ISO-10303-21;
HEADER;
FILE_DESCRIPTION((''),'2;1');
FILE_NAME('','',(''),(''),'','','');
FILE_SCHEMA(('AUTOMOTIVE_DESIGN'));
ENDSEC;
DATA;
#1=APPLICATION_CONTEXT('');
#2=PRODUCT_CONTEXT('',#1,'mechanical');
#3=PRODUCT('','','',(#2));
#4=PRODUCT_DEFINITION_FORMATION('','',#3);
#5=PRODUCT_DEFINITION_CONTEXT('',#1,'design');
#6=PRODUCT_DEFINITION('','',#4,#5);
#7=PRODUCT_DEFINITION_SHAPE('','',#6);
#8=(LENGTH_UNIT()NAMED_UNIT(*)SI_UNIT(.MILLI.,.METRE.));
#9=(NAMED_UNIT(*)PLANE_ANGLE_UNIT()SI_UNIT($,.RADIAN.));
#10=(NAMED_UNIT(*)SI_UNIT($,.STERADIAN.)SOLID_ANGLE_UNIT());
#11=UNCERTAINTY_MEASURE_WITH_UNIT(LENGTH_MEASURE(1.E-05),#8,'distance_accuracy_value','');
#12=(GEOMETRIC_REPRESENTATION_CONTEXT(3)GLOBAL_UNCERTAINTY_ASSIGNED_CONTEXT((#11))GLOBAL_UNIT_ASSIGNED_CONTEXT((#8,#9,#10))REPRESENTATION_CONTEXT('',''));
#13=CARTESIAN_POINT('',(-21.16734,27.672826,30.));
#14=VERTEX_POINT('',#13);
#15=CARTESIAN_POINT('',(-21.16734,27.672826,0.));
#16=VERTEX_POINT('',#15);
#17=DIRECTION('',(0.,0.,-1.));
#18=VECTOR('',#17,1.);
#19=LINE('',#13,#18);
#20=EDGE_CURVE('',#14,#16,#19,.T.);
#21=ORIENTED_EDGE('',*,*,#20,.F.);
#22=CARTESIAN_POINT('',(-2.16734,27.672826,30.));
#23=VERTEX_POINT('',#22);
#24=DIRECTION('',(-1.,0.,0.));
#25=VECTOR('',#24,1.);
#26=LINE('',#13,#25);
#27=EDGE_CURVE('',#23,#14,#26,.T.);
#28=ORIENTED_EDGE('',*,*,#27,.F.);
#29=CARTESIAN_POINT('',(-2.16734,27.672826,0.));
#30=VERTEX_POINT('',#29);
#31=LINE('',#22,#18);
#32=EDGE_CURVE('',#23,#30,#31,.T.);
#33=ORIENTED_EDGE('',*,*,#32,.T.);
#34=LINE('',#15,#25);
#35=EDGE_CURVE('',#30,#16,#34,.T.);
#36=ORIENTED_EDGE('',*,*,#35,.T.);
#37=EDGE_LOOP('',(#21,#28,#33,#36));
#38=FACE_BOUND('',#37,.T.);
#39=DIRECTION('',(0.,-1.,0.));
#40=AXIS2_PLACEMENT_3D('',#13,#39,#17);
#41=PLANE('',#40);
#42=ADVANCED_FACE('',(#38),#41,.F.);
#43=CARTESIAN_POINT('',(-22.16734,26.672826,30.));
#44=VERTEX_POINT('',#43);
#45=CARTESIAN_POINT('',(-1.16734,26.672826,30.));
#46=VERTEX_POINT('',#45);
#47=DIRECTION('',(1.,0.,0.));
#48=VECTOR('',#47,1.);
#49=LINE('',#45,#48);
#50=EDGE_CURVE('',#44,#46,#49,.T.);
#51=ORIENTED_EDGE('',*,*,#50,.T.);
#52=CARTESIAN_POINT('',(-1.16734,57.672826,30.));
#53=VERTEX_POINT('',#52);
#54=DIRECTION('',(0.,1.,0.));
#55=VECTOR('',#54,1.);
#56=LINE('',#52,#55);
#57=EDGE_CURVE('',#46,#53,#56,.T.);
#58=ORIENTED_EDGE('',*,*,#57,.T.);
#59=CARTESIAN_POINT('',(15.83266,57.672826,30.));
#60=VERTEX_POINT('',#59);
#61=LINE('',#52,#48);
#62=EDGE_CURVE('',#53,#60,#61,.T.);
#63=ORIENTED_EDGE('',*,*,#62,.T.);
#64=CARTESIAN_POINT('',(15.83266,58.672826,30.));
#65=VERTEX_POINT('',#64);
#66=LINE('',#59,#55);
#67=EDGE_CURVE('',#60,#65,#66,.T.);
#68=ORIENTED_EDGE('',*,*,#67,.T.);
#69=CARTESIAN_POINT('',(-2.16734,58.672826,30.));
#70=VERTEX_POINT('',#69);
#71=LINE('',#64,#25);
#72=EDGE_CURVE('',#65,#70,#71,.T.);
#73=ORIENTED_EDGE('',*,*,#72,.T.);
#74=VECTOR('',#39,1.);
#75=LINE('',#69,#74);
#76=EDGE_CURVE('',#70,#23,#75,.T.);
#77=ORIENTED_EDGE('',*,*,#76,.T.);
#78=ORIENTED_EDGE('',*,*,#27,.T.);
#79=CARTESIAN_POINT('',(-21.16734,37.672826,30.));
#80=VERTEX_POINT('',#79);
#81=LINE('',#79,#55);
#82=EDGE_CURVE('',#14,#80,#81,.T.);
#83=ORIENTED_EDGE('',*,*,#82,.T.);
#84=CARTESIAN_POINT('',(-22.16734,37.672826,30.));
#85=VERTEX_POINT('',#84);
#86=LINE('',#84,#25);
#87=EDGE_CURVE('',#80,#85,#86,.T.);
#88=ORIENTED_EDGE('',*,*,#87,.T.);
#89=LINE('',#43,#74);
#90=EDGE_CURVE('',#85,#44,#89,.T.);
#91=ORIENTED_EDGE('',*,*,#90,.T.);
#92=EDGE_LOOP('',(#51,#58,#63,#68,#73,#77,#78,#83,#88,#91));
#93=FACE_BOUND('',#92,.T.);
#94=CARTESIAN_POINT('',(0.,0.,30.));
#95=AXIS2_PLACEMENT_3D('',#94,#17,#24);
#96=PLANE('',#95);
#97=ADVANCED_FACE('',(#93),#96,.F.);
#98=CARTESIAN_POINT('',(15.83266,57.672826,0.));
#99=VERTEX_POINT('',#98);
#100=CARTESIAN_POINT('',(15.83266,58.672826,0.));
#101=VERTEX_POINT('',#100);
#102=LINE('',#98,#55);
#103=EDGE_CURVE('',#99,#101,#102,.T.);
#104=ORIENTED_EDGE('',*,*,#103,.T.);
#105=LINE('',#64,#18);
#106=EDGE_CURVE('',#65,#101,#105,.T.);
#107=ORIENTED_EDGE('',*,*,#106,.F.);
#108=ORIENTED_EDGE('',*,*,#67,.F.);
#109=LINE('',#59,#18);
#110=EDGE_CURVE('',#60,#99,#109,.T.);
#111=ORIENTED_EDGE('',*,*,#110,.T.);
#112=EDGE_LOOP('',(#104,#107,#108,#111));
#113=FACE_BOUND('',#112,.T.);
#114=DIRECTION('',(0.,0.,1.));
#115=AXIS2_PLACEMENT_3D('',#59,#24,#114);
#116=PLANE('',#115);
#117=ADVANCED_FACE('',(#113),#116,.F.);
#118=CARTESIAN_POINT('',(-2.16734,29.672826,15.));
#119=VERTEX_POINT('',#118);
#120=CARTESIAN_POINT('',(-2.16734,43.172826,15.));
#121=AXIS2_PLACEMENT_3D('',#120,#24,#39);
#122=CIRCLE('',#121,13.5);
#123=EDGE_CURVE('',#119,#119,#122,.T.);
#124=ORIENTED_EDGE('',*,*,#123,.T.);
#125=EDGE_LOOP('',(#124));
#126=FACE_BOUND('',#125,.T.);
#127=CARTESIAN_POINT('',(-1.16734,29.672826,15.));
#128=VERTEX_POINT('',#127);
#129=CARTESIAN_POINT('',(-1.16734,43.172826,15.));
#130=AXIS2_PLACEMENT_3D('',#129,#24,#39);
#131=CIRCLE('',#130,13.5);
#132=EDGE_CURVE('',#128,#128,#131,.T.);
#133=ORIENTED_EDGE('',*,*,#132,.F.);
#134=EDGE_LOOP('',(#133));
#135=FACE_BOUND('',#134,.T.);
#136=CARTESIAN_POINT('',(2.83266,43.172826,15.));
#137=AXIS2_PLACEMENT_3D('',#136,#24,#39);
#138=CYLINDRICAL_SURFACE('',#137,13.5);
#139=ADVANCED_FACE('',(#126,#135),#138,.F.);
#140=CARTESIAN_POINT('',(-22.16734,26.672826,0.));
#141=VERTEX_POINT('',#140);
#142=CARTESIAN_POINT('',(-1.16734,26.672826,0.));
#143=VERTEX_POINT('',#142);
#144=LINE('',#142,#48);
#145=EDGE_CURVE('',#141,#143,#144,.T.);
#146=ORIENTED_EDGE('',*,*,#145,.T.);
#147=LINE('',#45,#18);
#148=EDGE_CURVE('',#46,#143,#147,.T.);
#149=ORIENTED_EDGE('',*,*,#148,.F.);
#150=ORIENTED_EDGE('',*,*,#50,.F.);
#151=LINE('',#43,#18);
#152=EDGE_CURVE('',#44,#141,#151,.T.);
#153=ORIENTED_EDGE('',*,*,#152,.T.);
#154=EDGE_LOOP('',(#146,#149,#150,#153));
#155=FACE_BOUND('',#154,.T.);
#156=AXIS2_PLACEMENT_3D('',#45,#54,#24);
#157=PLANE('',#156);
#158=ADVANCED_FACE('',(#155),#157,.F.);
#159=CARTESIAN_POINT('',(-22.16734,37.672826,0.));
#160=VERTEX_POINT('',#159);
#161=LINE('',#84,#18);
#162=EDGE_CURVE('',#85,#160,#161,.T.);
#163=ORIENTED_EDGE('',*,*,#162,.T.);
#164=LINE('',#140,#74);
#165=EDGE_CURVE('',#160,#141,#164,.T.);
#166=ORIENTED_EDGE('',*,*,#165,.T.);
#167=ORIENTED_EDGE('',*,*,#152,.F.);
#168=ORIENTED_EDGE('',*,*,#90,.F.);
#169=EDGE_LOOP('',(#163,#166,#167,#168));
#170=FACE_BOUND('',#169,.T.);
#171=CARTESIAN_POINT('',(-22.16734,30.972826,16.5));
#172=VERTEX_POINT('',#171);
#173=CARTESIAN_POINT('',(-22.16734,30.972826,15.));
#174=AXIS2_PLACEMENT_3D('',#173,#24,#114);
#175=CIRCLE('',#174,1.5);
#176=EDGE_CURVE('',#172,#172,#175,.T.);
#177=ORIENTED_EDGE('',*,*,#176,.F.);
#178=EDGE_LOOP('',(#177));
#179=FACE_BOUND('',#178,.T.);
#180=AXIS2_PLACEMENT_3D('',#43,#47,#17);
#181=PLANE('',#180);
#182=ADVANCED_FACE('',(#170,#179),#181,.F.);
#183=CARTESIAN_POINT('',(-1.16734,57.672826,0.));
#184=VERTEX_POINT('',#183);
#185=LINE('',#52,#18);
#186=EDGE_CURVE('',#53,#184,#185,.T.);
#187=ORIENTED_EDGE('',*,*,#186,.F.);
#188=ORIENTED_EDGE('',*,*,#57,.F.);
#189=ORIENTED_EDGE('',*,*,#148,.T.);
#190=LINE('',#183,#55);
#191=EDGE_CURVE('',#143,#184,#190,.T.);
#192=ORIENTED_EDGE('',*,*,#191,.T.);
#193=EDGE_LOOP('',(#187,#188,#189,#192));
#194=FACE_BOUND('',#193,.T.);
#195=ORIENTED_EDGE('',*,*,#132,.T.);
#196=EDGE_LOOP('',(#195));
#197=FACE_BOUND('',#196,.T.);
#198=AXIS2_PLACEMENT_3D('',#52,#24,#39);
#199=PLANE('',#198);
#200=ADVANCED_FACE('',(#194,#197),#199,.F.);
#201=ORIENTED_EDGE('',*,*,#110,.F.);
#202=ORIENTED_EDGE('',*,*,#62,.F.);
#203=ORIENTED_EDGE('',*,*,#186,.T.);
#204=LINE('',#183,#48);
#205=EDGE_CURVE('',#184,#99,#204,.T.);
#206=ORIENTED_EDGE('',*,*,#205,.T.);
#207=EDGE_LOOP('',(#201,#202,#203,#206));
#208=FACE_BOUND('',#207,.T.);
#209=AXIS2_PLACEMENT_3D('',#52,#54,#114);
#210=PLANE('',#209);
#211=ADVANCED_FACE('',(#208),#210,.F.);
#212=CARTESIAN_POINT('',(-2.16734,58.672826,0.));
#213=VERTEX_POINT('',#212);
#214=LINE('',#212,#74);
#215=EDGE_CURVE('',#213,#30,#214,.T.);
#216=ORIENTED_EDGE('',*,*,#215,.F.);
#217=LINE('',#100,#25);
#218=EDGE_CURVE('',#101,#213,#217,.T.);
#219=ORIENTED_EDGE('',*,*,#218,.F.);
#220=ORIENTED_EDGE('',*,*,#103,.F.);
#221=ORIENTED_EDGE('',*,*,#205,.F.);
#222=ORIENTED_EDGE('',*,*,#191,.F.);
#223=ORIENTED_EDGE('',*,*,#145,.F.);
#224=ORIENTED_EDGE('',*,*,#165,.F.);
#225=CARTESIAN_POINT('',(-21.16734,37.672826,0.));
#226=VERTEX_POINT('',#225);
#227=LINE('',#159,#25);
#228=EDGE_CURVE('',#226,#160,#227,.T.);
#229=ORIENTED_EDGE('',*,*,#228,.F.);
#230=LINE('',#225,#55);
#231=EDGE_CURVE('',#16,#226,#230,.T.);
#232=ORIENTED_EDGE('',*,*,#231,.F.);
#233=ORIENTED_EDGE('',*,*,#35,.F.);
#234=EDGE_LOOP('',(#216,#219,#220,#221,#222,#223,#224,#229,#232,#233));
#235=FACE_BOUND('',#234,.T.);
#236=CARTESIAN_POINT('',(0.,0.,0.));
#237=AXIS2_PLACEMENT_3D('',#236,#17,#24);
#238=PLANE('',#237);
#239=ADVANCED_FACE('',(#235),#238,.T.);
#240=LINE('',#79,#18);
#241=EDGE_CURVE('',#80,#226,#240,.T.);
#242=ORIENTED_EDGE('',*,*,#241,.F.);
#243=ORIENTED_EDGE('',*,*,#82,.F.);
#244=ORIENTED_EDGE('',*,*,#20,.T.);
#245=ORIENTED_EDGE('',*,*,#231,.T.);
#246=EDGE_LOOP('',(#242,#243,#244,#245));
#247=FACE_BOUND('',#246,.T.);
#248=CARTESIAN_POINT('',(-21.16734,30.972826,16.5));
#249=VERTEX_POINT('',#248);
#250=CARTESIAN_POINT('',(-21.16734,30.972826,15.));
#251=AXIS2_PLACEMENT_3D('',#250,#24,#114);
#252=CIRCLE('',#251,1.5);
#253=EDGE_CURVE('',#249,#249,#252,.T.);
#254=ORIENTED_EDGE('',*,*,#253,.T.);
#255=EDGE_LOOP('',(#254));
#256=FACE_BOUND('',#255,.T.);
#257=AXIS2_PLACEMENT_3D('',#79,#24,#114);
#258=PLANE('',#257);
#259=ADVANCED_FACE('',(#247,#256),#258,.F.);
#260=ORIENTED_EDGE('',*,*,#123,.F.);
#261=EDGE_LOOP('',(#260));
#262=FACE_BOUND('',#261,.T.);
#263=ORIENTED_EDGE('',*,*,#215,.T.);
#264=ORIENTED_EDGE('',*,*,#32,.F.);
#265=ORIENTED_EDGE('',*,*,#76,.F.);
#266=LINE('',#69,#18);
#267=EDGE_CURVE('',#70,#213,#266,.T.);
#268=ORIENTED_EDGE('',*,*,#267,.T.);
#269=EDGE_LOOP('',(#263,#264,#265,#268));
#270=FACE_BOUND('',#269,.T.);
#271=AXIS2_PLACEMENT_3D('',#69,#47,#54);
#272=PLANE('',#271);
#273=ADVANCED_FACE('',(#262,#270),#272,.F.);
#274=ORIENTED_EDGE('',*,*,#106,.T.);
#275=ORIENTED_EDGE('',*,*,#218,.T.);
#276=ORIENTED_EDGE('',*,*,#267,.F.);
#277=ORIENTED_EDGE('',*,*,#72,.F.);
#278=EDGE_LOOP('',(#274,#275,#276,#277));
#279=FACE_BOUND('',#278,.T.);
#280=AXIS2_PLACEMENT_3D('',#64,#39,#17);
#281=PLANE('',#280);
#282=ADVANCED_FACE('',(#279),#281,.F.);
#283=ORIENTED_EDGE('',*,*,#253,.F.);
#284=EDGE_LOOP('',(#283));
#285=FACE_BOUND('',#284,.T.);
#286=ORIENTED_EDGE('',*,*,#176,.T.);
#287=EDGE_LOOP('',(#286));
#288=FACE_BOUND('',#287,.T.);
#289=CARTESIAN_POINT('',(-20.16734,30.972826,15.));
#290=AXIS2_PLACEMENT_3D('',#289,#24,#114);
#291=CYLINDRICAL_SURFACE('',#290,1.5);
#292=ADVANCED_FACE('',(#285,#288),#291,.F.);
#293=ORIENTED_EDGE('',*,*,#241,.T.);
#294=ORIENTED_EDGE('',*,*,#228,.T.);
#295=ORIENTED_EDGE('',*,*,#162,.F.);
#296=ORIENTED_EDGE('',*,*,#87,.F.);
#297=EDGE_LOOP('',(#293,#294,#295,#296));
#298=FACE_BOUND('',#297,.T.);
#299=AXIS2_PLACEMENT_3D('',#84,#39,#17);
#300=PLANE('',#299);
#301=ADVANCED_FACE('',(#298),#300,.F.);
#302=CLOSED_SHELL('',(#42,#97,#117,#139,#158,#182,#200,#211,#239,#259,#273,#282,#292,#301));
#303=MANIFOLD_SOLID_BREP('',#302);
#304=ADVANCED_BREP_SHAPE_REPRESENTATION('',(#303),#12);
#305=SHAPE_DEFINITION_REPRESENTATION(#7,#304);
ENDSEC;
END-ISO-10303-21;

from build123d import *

# Parameters (mm, degrees)
EXTRUDE_1_DEPTH     = 30
SKETCH_4_R          = 1.5
CUT_EXTRUDE_3_DEPTH = 2
SKETCH_5_R          = 13.5
CUT_EXTRUDE_4_DEPTH = 5


with BuildPart() as part:
    # 草图1 → 凸台-拉伸1 (new body)
    with BuildSketch(Plane.XY):
        Polygon((-21.167340442, 37.672826145), (-21.167340442, 27.672826145), (-2.167340442, 27.672826145), (-2.167340442, 58.672826145), (15.832659558, 58.672826145), (15.832659558, 57.672826145), (-1.167340442, 57.672826145), (-1.167340442, 26.672826145), (-22.167340442, 26.672826145), (-22.167340442, 37.672826145), align=None)
    extrude(amount=EXTRUDE_1_DEPTH)

    # 草图4 → 切除-拉伸3 (cut)
    with BuildSketch(Plane.ZY.offset(22.167340442)):
        with Locations((15, 30.972826145)):
            Circle(SKETCH_4_R)
    extrude(amount=-CUT_EXTRUDE_3_DEPTH, mode=Mode.SUBTRACT)

    # 草图5 → 切除-拉伸4 (cut)
    with BuildSketch(Plane.ZY.offset(2.167340442)):
        with Locations((15, 43.172826145)):
            Circle(SKETCH_5_R)
    extrude(amount=-CUT_EXTRUDE_4_DEPTH, mode=Mode.SUBTRACT)


solid = part.part
